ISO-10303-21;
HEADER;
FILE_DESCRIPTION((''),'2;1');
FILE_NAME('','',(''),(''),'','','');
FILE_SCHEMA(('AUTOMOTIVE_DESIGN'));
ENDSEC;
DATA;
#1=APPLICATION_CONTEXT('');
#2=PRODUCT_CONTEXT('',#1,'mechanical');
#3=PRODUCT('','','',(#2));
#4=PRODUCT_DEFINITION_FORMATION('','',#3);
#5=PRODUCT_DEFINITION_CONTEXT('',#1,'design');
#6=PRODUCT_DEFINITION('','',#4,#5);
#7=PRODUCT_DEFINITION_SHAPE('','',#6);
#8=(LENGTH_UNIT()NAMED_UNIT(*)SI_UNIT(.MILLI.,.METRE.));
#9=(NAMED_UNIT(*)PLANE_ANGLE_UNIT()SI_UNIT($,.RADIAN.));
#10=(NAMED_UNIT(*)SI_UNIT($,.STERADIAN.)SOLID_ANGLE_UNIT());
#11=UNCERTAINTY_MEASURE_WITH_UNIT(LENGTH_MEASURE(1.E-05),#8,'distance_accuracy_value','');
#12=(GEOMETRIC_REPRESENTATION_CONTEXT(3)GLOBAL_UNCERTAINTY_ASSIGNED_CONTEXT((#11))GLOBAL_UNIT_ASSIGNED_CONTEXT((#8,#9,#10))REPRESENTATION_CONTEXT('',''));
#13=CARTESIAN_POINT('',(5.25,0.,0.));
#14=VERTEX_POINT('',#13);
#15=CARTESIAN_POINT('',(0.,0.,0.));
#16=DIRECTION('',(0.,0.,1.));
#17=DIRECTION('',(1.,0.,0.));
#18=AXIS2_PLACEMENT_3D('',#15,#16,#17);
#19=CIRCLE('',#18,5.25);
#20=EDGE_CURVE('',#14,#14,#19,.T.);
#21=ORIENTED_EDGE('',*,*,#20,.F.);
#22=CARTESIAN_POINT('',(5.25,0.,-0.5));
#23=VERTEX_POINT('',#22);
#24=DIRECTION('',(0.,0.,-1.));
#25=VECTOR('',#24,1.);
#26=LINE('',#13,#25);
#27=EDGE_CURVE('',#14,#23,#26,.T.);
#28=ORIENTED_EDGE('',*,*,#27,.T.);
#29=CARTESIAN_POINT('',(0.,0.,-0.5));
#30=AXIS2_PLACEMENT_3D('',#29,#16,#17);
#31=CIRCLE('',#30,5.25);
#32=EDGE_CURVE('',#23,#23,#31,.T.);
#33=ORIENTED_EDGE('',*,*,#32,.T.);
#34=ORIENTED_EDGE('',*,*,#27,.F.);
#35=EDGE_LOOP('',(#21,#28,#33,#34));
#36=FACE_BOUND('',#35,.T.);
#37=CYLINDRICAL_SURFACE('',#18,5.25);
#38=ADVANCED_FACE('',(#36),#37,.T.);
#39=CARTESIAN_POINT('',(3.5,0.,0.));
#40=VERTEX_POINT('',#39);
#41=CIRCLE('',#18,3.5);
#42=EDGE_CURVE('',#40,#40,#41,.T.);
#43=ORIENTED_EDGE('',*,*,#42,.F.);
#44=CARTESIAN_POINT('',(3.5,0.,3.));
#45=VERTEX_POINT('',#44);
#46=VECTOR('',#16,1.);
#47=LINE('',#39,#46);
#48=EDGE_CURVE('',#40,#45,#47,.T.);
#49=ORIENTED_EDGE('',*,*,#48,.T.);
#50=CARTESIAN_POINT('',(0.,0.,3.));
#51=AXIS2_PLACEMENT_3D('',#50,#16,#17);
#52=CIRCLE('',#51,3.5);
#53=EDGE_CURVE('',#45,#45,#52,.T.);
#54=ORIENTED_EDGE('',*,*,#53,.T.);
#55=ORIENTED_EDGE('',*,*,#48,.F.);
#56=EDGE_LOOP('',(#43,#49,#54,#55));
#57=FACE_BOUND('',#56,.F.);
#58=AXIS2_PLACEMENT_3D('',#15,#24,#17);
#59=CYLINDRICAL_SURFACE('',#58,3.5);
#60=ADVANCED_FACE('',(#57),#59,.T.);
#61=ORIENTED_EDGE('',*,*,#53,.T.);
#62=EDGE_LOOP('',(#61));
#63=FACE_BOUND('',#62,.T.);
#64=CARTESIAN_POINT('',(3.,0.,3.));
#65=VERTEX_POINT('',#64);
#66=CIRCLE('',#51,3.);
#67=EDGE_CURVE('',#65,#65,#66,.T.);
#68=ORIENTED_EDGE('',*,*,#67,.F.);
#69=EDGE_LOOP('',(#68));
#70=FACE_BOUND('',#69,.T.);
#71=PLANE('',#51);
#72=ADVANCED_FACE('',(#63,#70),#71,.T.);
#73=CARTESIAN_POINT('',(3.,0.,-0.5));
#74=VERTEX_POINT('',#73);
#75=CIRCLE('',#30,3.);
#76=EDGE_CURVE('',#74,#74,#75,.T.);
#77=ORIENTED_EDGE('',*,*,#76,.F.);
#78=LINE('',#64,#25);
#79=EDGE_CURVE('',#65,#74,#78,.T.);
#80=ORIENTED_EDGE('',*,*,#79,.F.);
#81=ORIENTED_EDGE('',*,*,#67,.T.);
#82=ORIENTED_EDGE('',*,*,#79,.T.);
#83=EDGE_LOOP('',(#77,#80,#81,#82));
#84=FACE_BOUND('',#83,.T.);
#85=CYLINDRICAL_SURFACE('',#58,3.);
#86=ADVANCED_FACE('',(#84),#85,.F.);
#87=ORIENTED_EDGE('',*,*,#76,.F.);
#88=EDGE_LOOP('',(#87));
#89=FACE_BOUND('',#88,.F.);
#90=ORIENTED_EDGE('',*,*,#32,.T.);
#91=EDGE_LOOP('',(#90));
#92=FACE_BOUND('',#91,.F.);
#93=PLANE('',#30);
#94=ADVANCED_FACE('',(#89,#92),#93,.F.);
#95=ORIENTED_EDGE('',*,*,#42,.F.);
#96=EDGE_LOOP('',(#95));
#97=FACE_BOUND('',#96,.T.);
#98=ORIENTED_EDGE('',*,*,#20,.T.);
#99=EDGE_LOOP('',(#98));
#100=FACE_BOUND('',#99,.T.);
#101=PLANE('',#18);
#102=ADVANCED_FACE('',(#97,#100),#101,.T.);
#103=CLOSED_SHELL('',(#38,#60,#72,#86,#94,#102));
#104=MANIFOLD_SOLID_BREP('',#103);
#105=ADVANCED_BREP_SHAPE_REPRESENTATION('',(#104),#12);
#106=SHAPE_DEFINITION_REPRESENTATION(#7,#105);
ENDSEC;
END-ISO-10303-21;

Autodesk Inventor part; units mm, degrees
ref_plane "YZ Plane" through (0, 0, 0) normal (1, 0, 0) x (0, 1, 0)
ref_plane "XZ Plane" through (0, 0, 0) normal (0, 1, 0) x (-1, 0, 0)
ref_plane "XY Plane" through (0, 0, 0) normal (0, 0, 1) x (1, 0, 0)
sketch "スケッチ1" plane through (0, 0, 0) normal (0, 0, 1) x (1, 0, 0)
  circle A0 centre (0, 0) radius 3
  circle A1 centre (0, 0) radius 3.5
  circle A2 centre (0, 0) radius 5.25
  dimension "d0" = 6
  dimension "d1" = 7
  dimension "d2" = 10.5
extrude "押し出し1" add sketch "スケッチ1" along normal blind 3 contours A1
extrude "押し出し2" add sketch "スケッチ1" against normal blind 0.5 contours A1 | A2
properties part number "ドライメットブッシュ0.5 内径6長さ3" material "鋼"
